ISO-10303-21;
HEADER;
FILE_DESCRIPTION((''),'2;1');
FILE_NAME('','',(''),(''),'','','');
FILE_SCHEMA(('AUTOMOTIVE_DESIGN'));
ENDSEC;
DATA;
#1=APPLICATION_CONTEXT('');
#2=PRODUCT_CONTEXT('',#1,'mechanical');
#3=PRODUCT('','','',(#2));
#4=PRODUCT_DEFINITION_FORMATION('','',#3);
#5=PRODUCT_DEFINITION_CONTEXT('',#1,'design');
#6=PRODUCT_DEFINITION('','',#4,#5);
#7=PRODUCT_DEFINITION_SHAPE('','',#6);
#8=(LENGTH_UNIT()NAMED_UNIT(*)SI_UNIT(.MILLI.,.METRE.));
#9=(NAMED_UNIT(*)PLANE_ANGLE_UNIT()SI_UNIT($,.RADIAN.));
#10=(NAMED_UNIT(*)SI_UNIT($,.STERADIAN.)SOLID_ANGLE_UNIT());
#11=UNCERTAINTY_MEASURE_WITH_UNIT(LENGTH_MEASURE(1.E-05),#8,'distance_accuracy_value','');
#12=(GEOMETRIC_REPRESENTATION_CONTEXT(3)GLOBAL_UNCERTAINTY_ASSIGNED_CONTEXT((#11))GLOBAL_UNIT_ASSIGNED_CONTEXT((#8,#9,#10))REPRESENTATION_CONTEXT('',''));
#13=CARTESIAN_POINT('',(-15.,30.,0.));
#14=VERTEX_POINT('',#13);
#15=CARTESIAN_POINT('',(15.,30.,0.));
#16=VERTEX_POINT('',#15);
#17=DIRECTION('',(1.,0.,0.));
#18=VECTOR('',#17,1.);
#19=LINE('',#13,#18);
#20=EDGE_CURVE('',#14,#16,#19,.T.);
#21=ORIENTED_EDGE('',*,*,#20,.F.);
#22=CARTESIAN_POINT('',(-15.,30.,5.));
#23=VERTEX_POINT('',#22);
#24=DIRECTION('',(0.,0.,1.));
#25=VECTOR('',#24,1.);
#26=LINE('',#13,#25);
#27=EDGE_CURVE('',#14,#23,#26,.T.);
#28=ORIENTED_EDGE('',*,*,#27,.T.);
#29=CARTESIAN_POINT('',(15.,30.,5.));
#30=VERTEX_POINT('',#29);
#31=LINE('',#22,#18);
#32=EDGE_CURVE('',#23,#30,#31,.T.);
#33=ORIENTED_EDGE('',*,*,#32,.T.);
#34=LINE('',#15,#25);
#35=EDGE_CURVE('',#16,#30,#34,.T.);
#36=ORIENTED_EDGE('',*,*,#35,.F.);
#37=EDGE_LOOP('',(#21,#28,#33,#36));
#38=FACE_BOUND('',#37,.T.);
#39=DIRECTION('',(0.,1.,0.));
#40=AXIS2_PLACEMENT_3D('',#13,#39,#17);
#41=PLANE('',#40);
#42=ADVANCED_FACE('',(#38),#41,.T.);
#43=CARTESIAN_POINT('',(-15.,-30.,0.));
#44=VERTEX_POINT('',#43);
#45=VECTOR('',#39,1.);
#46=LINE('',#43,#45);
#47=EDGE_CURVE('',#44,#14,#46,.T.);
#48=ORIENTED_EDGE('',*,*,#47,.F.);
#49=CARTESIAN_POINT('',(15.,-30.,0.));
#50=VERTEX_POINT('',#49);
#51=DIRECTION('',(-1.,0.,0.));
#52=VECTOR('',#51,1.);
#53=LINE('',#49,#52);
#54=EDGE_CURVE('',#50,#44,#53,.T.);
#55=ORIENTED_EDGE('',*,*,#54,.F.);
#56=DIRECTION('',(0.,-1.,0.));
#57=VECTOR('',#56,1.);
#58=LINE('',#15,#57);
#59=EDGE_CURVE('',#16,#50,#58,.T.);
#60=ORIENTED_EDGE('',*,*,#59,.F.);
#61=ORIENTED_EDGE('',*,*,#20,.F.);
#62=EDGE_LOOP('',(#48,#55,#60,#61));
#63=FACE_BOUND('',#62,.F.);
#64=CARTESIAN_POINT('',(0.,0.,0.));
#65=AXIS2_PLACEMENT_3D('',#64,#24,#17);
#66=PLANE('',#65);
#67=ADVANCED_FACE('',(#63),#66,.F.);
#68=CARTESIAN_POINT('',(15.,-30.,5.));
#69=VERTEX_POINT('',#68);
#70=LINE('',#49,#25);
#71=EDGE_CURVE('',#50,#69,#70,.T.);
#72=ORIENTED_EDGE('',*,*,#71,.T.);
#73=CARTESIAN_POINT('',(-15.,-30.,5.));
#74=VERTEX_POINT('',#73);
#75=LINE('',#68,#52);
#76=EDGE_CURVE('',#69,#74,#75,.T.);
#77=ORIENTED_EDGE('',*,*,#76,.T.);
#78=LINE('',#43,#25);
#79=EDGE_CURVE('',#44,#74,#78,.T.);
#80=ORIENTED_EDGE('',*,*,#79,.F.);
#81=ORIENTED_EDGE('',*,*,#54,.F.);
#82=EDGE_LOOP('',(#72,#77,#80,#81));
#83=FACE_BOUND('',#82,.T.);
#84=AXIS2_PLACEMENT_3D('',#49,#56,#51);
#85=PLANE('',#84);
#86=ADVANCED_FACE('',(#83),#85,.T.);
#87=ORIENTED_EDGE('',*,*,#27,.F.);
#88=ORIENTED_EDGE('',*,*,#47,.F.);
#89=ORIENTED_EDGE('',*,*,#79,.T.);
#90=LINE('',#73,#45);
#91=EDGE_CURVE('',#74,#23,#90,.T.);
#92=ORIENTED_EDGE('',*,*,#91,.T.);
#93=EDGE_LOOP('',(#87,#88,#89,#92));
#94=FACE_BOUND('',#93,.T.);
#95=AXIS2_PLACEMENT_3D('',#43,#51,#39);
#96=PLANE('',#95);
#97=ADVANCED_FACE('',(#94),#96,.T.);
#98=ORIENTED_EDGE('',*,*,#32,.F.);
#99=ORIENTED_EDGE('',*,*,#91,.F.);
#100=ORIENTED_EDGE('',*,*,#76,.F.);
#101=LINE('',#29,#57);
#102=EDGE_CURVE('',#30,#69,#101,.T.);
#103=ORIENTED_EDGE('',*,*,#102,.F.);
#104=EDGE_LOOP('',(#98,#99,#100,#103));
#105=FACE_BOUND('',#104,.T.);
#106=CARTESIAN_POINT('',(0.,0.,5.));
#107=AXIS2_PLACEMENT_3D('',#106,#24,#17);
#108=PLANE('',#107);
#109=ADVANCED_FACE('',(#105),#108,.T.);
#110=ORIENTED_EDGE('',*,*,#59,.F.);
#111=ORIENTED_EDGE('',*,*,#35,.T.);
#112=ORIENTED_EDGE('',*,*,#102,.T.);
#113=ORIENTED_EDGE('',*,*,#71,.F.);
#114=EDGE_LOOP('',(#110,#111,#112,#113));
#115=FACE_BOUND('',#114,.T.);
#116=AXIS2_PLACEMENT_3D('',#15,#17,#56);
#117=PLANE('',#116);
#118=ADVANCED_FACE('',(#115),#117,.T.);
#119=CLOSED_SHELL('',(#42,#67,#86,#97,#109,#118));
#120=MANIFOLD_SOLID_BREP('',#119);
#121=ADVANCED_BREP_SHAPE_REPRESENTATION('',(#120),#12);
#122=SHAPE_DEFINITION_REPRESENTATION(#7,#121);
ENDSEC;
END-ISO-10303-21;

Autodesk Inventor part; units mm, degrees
ref_plane "YZ Plane" through (0, 0, 0) normal (1, 0, 0) x (0, 1, 0)
ref_plane "XZ Plane" through (0, 0, 0) normal (0, 1, 0) x (-1, 0, 0)
ref_plane "XY Plane" through (0, 0, 0) normal (0, 0, 1) x (1, 0, 0)
sketch "Skizze1" plane through (0, 0, 0) normal (0, 0, 1) x (1, 0, 0)
  line L0 (-15, 30) -> (15, 30)
  line L1 (15, 30) -> (15, -30)
  line L2 (15, -30) -> (-15, -30)
  line L3 (-15, -30) -> (-15, 30)
  line L4 (-15, 30) -> (15, -30) construction
  line L5 (15, 30) -> (-15, -30) construction
  point P0 (0, 0)
  dimension "d0" = 30
  dimension "d1" = 60
extrude "Extrusion1" add sketch "Skizze1" along normal blind 5
properties part number "plateanchormodel"
